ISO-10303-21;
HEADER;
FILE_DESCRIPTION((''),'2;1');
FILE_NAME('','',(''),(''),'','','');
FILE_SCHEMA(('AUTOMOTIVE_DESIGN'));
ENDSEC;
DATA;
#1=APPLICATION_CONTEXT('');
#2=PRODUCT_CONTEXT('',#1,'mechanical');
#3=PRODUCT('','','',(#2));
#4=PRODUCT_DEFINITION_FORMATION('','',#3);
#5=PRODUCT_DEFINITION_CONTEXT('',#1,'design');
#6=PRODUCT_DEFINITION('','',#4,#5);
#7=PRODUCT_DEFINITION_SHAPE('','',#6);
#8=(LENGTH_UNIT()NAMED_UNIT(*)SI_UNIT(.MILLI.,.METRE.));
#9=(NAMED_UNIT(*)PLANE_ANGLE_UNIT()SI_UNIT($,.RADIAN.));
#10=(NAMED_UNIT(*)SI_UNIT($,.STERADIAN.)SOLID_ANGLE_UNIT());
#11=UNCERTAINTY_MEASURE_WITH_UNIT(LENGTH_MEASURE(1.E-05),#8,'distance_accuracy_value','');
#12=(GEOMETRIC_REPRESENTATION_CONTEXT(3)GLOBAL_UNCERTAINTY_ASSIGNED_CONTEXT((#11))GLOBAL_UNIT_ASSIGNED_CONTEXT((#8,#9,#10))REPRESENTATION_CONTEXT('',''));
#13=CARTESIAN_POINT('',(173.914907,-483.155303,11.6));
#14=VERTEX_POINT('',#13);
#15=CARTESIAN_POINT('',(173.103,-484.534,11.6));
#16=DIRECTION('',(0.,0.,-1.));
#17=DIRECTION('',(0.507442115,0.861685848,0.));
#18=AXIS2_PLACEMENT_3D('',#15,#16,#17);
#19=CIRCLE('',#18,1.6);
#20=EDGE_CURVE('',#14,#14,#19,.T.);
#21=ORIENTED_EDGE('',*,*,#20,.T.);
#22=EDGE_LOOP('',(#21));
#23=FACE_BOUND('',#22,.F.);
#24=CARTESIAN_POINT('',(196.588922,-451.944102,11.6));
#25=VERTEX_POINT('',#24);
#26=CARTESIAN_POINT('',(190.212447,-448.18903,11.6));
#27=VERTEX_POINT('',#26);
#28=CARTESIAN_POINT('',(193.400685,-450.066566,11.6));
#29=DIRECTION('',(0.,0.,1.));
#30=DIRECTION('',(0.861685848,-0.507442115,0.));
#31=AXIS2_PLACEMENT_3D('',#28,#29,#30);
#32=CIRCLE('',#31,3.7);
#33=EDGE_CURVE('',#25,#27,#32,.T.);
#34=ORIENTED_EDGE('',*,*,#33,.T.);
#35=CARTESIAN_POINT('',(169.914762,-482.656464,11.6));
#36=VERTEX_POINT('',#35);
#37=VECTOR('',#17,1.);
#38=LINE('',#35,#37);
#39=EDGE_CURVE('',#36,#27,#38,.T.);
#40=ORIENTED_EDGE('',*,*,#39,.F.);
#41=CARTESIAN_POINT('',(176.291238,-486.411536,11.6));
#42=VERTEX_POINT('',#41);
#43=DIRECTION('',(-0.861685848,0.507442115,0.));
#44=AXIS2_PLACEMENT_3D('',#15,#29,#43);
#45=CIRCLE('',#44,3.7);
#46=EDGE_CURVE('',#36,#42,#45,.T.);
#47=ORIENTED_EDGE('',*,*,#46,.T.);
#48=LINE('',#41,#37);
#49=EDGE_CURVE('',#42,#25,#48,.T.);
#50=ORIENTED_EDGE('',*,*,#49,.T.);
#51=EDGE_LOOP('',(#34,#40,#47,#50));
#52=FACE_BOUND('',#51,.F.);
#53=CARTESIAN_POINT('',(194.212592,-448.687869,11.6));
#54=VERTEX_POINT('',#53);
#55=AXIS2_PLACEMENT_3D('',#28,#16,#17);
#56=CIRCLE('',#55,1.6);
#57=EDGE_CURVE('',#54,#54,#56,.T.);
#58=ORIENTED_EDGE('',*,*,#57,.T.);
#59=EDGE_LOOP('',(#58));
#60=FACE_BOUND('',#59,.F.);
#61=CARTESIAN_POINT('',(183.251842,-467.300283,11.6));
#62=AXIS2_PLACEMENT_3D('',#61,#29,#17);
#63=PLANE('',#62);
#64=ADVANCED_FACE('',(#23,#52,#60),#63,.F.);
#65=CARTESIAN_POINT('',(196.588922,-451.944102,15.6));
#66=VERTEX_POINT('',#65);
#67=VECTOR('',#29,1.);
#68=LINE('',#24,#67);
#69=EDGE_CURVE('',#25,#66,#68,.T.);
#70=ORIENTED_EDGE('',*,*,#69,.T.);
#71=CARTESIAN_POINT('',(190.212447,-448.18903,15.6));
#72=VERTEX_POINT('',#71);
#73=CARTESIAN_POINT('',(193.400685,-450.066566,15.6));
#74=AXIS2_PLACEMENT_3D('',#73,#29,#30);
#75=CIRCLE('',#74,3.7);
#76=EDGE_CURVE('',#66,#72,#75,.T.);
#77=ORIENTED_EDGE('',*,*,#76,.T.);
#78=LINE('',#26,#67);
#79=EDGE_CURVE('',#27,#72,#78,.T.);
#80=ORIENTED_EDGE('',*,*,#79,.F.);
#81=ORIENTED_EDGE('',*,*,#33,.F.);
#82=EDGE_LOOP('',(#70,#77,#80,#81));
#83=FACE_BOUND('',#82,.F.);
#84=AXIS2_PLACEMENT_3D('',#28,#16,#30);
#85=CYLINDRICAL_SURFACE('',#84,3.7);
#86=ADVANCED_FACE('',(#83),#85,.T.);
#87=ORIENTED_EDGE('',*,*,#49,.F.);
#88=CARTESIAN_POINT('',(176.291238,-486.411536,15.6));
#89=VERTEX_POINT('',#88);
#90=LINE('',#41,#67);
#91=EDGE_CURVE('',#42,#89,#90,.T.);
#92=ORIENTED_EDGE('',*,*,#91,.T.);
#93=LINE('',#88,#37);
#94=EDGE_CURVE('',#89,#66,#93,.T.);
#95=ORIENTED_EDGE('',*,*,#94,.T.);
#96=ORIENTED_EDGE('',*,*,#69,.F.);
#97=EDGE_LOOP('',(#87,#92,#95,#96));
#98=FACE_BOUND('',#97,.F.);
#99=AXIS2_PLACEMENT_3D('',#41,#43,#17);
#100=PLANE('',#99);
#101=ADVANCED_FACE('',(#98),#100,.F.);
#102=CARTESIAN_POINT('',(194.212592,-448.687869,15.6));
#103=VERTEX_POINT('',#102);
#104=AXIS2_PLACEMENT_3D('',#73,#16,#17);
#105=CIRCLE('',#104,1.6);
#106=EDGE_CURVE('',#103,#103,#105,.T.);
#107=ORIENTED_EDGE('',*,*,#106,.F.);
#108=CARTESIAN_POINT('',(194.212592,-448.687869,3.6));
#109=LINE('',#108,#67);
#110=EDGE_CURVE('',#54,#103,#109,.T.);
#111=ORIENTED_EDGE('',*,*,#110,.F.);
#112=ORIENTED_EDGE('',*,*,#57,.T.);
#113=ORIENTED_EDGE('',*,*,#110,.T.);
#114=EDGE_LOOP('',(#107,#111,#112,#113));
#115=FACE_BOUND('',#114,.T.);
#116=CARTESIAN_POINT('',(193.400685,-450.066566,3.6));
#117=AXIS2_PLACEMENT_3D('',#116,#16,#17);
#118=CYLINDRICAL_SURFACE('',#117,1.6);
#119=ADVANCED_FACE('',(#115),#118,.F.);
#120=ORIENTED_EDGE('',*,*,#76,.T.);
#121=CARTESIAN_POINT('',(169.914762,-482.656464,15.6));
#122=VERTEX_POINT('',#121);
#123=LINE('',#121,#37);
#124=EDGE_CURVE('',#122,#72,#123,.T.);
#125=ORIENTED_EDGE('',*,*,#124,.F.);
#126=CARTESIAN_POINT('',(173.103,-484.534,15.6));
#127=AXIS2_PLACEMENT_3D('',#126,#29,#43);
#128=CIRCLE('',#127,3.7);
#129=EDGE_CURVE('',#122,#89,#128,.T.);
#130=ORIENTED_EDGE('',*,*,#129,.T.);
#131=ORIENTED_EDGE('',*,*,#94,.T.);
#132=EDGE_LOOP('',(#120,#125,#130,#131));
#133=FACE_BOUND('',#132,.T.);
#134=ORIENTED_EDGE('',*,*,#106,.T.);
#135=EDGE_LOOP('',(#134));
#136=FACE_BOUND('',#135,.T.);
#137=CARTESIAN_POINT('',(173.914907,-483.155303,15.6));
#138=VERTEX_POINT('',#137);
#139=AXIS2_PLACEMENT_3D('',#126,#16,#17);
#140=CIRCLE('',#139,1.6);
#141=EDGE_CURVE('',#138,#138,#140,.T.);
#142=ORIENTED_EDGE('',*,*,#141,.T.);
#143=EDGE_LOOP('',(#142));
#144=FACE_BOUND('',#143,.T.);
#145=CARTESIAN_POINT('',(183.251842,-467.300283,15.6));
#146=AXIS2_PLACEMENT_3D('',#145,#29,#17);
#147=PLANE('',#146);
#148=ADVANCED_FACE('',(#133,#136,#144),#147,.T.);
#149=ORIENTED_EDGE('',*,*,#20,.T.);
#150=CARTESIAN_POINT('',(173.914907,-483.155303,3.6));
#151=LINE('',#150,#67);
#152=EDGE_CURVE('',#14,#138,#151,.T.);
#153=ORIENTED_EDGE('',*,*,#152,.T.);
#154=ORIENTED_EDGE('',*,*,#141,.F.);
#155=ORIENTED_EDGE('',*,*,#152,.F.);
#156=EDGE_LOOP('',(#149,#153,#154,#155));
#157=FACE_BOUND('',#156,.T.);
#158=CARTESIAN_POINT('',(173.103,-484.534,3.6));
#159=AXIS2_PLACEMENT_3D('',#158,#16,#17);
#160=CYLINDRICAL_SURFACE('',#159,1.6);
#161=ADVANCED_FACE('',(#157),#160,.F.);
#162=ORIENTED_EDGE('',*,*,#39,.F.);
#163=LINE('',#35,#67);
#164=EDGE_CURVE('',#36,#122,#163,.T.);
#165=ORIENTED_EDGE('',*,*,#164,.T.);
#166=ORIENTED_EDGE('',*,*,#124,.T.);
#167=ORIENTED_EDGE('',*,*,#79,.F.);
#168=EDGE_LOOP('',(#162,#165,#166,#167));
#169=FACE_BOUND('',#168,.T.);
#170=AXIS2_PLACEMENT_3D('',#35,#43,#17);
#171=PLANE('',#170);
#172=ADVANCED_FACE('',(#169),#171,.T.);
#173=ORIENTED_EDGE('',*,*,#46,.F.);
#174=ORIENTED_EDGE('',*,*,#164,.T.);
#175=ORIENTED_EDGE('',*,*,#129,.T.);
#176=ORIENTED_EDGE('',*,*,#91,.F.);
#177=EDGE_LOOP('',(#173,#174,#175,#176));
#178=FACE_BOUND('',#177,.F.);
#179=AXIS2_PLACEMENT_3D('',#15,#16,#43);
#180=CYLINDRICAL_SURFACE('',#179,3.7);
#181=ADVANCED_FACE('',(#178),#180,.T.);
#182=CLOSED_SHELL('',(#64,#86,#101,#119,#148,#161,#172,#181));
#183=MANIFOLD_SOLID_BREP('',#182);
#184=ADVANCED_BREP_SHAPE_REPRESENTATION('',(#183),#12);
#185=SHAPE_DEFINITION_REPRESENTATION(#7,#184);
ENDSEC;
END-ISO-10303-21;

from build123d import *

# Parameters (mm, degrees)
CYLINDER005_R            = 1.6
CYLINDER005_DEPTH        = 30
PAD002_DEPTH             = 4
CLONE007_PLACEMENT_ANGLE = 59.5063808355
CLONE181_PLACEMENT_ANGLE = 1.91645e-05


with BuildPart() as finger_drill_master:
    # Cylinder005 → Cylinder005 (new body)
    with BuildSketch(Plane.XY.offset(-8)):
        Circle(CYLINDER005_R)
    extrude(amount=CYLINDER005_DEPTH)


with BuildPart() as clone006:
    # Clone006 base: copy of finger-drill-master
    add(finger_drill_master.part)


with BuildPart() as clone006_1:
    # Clone006 placement: moved
    add(clone006.part.moved(Location((40, 0, 0))))


with BuildPart() as fusion012:
    # Clone005 base: copy of finger-drill-master
    add(finger_drill_master.part)

    # Fusion012: union Clone006
    add(clone006_1.part)


with BuildPart() as clone_of_left_link:
    # Sketch002 → Pad002 (new body)
    with BuildSketch(Plane.XY):
        with BuildLine():
            ThreePointArc((0, 3.7), (-3.7, 0), (0, -3.7))
            Line((0, -3.7), (40, -3.7))
            ThreePointArc((40, -3.7), (43.7, 0), (40, 3.7))
            Line((0, 3.7), (40, 3.7))
        make_face()
    extrude(amount=PAD002_DEPTH)

    # Cut001: cut Fusion012
    add(fusion012.part, mode=Mode.SUBTRACT)


with BuildPart() as clone_of_left_link_1:
    # Clone007 placement: moved
    add(clone_of_left_link.part.moved(Location((187.1034801236, 214.4662976869, 4.3))).rotate(Axis((187.1034801236, 214.4662976869, 4.3), (0, 0, 1)), CLONE007_PLACEMENT_ANGLE))


with BuildPart() as clone_of_left_link_2:
    # Clone181 placement: moved
    add(clone_of_left_link_1.part.moved(Location((-14.0004083881, -699.0003602699, 7.3))).rotate(Axis((-14.0004083881, -699.0003602699, 7.3), (0, 0, 1)), CLONE181_PLACEMENT_ANGLE))


solid = clone_of_left_link_2.part
